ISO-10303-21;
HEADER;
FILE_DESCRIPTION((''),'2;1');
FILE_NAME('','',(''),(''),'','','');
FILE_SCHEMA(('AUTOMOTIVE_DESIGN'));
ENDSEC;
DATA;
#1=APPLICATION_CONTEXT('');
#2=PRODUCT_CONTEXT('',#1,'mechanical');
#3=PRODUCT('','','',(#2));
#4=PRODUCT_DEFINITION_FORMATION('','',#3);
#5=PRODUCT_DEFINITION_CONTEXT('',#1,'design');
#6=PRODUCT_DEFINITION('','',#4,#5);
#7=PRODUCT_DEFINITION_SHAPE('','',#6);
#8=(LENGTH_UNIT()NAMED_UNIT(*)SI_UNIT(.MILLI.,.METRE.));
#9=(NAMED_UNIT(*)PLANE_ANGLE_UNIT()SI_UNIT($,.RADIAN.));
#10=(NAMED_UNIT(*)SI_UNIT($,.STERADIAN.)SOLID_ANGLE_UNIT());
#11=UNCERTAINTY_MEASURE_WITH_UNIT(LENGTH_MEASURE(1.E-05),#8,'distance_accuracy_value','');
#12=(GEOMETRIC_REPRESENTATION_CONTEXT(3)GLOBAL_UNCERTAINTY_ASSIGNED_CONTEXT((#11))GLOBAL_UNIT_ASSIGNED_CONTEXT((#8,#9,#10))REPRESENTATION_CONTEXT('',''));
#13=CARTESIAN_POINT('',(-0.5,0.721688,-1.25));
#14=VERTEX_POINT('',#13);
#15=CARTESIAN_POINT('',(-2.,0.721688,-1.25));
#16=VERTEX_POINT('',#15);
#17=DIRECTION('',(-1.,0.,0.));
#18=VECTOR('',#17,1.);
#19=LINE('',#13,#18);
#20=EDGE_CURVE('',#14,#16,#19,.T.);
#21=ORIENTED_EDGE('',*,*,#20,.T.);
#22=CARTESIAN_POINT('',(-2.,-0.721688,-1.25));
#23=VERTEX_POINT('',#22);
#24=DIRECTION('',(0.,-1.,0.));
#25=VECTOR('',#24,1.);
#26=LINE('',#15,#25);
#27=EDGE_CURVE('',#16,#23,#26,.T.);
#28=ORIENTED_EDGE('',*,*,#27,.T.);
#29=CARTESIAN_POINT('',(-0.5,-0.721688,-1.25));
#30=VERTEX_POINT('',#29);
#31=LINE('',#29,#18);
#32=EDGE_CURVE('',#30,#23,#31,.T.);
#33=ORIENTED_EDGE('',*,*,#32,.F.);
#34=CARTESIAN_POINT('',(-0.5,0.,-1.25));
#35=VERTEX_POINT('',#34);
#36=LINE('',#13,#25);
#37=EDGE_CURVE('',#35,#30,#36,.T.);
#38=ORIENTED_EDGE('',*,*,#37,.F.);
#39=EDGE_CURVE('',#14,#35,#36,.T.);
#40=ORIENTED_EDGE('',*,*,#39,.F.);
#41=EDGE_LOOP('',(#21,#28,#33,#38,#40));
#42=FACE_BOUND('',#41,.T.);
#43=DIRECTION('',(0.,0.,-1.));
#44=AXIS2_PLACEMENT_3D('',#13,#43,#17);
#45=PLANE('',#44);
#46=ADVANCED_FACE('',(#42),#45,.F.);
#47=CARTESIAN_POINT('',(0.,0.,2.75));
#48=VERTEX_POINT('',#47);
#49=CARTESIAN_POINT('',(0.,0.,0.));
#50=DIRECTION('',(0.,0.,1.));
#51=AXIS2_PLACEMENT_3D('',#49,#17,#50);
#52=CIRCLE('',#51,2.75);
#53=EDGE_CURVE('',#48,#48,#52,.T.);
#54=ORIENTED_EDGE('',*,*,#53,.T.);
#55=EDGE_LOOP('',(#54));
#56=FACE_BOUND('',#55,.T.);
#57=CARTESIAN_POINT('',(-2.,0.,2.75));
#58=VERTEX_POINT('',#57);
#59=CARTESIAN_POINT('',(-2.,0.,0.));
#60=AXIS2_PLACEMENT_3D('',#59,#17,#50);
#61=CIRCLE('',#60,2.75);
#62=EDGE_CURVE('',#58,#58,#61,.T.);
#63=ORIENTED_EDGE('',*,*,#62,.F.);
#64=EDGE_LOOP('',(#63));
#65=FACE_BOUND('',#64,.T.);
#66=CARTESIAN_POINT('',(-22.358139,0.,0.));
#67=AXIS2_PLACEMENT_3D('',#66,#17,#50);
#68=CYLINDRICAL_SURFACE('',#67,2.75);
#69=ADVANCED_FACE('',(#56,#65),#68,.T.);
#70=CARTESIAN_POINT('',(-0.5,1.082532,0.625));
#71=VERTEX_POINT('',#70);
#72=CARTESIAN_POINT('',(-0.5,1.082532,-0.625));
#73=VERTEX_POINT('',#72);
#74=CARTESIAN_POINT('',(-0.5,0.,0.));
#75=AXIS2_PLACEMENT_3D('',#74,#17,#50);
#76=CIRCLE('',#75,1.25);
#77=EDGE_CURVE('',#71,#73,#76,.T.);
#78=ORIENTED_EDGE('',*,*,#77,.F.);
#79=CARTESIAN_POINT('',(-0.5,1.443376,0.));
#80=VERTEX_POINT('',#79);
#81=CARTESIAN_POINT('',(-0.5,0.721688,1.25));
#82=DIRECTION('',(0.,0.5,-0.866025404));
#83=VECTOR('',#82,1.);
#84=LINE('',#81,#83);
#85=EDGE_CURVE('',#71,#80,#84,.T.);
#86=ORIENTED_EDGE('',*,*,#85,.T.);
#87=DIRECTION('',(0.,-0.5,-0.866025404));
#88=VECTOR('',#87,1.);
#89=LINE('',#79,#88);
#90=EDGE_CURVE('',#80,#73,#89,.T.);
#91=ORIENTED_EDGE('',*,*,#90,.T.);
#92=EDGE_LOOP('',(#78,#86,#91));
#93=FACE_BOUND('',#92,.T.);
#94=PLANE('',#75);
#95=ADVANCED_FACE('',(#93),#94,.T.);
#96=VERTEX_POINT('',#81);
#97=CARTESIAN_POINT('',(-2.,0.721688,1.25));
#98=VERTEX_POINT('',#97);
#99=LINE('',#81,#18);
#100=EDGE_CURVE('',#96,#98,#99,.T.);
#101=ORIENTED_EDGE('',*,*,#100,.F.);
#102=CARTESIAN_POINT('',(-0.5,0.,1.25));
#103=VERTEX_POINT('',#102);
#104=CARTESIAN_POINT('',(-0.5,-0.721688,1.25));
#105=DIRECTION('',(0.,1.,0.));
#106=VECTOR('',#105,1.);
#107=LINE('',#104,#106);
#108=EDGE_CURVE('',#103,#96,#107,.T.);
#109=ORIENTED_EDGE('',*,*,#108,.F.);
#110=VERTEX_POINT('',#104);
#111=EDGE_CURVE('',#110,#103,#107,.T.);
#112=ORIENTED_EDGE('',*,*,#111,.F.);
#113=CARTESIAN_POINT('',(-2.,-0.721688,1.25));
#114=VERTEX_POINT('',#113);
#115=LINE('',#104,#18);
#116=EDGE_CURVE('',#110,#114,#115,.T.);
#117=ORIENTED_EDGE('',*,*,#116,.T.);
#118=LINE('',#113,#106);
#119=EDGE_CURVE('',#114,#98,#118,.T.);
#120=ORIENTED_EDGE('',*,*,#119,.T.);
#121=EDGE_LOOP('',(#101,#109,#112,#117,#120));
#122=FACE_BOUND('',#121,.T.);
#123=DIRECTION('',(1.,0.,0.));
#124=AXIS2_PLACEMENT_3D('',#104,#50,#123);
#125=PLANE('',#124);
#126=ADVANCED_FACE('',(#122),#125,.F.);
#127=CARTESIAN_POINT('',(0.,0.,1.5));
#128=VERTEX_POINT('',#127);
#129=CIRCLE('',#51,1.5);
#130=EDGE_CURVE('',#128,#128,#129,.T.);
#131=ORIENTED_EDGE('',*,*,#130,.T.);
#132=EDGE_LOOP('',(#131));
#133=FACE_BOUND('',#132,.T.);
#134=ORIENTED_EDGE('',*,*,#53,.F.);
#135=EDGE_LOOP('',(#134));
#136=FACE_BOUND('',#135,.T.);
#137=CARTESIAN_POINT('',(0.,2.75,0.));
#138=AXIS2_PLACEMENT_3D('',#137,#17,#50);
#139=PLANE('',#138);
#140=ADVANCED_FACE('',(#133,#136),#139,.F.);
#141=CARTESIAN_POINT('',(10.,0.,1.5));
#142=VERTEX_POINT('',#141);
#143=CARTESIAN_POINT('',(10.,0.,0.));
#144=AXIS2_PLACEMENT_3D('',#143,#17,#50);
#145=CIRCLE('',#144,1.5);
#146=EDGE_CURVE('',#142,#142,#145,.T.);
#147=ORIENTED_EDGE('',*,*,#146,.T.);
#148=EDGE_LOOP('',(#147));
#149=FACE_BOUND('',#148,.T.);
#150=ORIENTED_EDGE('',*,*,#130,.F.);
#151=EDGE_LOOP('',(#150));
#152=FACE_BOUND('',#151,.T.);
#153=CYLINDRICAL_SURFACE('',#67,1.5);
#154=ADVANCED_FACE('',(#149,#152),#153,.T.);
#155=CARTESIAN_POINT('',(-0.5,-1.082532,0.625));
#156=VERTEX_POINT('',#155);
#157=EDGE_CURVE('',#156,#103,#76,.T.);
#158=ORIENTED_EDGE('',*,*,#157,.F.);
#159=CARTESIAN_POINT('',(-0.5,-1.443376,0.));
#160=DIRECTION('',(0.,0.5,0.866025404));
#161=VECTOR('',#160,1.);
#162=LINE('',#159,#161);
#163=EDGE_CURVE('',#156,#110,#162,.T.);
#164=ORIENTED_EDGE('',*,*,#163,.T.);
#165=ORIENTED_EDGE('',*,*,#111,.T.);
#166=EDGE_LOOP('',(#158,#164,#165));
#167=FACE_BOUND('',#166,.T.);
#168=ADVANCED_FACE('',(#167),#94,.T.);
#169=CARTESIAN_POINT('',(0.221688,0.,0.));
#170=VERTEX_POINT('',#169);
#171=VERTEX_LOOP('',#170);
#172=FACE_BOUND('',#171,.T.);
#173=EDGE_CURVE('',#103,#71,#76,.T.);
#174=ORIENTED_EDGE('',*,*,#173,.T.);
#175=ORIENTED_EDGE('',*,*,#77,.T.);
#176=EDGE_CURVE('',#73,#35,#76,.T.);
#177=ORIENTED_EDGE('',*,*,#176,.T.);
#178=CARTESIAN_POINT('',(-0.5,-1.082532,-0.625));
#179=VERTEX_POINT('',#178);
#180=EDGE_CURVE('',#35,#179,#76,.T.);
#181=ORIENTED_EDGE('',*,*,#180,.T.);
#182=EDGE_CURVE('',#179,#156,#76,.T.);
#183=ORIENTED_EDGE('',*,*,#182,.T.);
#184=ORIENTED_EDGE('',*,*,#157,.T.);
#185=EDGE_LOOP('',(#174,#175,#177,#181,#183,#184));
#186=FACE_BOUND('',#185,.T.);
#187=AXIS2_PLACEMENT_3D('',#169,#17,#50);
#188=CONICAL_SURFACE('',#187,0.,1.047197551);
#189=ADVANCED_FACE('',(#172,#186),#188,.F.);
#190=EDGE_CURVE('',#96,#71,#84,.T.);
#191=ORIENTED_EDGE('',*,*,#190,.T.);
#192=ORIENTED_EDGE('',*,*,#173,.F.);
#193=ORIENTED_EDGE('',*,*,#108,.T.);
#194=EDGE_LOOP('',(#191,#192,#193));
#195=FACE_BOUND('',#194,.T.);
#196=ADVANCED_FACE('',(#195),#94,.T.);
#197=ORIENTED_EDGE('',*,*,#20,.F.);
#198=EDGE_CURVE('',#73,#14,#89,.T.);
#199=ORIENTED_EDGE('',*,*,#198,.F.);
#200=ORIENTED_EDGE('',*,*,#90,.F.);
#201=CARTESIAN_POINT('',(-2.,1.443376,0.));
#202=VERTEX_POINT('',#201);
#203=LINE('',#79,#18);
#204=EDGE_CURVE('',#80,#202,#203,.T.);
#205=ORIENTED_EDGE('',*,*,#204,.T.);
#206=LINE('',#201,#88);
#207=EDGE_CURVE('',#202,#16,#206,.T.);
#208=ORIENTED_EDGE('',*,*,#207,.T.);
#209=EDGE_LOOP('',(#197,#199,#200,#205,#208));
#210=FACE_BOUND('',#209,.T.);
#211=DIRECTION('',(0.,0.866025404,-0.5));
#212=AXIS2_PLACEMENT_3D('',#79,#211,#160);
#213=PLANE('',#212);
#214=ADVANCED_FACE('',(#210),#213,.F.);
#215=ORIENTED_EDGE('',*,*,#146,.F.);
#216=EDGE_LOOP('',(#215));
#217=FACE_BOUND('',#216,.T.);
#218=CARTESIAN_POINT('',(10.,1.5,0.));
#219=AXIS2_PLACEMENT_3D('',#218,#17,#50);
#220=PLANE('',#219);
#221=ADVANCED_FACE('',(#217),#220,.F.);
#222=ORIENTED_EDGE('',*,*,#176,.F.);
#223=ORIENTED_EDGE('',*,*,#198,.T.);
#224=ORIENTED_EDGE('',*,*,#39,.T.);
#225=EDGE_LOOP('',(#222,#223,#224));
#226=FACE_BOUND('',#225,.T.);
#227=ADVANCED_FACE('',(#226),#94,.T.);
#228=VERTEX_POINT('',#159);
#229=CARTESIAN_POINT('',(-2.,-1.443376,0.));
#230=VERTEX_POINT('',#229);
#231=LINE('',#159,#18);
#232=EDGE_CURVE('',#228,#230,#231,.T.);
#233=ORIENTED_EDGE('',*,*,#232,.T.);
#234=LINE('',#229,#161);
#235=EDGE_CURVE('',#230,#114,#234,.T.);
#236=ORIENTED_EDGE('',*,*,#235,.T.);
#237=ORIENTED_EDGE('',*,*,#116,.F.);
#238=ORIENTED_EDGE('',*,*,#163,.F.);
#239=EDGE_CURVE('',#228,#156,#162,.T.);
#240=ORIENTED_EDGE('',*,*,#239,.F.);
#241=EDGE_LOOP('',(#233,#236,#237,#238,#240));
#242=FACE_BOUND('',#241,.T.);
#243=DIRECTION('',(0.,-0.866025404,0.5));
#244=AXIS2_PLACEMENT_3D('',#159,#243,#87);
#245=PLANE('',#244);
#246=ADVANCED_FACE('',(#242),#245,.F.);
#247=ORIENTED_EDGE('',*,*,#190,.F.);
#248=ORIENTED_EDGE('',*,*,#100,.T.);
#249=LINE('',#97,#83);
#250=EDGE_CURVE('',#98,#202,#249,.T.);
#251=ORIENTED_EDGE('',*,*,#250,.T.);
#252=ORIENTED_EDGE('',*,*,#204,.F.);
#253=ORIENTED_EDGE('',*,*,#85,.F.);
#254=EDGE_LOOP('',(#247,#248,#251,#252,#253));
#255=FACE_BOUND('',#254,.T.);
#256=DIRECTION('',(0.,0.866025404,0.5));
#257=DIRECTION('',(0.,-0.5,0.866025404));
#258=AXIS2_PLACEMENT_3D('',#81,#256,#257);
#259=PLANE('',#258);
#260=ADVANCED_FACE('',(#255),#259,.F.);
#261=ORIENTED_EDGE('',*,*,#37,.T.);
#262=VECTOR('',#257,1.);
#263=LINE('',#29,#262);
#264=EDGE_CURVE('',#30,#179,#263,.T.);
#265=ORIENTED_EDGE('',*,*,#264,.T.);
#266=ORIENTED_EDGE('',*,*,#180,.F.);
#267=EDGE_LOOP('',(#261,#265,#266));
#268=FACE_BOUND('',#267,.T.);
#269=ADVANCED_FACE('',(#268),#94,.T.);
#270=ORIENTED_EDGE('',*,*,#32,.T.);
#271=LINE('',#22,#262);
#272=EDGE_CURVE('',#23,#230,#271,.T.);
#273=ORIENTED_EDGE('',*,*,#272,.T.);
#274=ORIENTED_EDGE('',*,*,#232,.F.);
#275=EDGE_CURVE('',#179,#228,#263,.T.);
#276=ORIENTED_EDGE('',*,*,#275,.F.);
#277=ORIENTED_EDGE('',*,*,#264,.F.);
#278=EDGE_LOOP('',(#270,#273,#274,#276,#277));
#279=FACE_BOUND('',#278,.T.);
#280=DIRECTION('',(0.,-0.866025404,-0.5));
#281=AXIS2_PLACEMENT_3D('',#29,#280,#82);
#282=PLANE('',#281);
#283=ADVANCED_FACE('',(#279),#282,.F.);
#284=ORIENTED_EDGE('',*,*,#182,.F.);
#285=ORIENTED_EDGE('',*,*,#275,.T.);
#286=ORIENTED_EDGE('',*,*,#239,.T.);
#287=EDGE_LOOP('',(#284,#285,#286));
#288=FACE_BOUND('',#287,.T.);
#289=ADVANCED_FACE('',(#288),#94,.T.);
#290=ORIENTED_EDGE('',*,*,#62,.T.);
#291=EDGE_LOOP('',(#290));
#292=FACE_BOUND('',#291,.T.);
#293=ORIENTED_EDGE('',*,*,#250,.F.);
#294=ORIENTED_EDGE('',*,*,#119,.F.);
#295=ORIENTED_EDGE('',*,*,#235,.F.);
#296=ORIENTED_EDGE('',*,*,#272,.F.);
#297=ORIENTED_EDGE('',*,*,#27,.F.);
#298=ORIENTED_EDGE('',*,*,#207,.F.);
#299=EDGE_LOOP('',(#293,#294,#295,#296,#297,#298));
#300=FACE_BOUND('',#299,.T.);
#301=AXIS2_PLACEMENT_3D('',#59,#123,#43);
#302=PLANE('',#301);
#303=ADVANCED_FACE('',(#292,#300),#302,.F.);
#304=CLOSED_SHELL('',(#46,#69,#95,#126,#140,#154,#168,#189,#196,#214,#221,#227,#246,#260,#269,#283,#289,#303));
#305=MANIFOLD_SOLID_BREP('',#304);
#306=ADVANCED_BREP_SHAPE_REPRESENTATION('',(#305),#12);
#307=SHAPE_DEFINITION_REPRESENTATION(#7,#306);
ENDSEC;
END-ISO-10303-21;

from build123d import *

# Parameters (mm, degrees)
CUT_EXTRUDE1_DEPTH = 1.5


with BuildPart() as part:
    # Sketch1 → Revolve1 (revolve)
    with BuildSketch(Plane.XY, mode=Mode.PRIVATE) as revolve1_sk:
        Polygon((-2, 0), (-2, 2.75), (0, 2.75), (0, 1.5), (10, 1.5), (10, 0), align=None)
    revolve(revolve1_sk.sketch.rotate(Axis((-22.358139419, 0, 0), (1, 0, 0)), 90), axis=Axis((-22.358139419, 0, 0), (1, 0, 0)))

    # Sketch2 → Cut-Revolve1 (revolve, cut)
    with BuildSketch(Plane(origin=(0, 0, 0), x_dir=(1, 0, 0), z_dir=(0, 1, 0)), mode=Mode.PRIVATE) as cut_revolve1_sk:
        Polygon((-2, 1.25), (-2, 0), (0.221687836, 0), (-0.5, 1.25), align=None)
    revolve(cut_revolve1_sk.sketch.rotate(Axis((-5.673571921, 0, 0), (1, 0, 0)), 180), axis=Axis((-5.673571921, 0, 0), (1, 0, 0)), mode=Mode.SUBTRACT)

    # Sketch3 → Cut-Extrude1 (cut)
    with BuildSketch(Plane.ZY.offset(2)):
        Polygon((0, 1.443375673), (-1.25, 0.721687836), (-1.25, -0.721687836), (0, -1.443375673), (1.25, -0.721687836), (1.25, 0.721687836), align=None)
    extrude(amount=-CUT_EXTRUDE1_DEPTH, mode=Mode.SUBTRACT)


solid = part.part
